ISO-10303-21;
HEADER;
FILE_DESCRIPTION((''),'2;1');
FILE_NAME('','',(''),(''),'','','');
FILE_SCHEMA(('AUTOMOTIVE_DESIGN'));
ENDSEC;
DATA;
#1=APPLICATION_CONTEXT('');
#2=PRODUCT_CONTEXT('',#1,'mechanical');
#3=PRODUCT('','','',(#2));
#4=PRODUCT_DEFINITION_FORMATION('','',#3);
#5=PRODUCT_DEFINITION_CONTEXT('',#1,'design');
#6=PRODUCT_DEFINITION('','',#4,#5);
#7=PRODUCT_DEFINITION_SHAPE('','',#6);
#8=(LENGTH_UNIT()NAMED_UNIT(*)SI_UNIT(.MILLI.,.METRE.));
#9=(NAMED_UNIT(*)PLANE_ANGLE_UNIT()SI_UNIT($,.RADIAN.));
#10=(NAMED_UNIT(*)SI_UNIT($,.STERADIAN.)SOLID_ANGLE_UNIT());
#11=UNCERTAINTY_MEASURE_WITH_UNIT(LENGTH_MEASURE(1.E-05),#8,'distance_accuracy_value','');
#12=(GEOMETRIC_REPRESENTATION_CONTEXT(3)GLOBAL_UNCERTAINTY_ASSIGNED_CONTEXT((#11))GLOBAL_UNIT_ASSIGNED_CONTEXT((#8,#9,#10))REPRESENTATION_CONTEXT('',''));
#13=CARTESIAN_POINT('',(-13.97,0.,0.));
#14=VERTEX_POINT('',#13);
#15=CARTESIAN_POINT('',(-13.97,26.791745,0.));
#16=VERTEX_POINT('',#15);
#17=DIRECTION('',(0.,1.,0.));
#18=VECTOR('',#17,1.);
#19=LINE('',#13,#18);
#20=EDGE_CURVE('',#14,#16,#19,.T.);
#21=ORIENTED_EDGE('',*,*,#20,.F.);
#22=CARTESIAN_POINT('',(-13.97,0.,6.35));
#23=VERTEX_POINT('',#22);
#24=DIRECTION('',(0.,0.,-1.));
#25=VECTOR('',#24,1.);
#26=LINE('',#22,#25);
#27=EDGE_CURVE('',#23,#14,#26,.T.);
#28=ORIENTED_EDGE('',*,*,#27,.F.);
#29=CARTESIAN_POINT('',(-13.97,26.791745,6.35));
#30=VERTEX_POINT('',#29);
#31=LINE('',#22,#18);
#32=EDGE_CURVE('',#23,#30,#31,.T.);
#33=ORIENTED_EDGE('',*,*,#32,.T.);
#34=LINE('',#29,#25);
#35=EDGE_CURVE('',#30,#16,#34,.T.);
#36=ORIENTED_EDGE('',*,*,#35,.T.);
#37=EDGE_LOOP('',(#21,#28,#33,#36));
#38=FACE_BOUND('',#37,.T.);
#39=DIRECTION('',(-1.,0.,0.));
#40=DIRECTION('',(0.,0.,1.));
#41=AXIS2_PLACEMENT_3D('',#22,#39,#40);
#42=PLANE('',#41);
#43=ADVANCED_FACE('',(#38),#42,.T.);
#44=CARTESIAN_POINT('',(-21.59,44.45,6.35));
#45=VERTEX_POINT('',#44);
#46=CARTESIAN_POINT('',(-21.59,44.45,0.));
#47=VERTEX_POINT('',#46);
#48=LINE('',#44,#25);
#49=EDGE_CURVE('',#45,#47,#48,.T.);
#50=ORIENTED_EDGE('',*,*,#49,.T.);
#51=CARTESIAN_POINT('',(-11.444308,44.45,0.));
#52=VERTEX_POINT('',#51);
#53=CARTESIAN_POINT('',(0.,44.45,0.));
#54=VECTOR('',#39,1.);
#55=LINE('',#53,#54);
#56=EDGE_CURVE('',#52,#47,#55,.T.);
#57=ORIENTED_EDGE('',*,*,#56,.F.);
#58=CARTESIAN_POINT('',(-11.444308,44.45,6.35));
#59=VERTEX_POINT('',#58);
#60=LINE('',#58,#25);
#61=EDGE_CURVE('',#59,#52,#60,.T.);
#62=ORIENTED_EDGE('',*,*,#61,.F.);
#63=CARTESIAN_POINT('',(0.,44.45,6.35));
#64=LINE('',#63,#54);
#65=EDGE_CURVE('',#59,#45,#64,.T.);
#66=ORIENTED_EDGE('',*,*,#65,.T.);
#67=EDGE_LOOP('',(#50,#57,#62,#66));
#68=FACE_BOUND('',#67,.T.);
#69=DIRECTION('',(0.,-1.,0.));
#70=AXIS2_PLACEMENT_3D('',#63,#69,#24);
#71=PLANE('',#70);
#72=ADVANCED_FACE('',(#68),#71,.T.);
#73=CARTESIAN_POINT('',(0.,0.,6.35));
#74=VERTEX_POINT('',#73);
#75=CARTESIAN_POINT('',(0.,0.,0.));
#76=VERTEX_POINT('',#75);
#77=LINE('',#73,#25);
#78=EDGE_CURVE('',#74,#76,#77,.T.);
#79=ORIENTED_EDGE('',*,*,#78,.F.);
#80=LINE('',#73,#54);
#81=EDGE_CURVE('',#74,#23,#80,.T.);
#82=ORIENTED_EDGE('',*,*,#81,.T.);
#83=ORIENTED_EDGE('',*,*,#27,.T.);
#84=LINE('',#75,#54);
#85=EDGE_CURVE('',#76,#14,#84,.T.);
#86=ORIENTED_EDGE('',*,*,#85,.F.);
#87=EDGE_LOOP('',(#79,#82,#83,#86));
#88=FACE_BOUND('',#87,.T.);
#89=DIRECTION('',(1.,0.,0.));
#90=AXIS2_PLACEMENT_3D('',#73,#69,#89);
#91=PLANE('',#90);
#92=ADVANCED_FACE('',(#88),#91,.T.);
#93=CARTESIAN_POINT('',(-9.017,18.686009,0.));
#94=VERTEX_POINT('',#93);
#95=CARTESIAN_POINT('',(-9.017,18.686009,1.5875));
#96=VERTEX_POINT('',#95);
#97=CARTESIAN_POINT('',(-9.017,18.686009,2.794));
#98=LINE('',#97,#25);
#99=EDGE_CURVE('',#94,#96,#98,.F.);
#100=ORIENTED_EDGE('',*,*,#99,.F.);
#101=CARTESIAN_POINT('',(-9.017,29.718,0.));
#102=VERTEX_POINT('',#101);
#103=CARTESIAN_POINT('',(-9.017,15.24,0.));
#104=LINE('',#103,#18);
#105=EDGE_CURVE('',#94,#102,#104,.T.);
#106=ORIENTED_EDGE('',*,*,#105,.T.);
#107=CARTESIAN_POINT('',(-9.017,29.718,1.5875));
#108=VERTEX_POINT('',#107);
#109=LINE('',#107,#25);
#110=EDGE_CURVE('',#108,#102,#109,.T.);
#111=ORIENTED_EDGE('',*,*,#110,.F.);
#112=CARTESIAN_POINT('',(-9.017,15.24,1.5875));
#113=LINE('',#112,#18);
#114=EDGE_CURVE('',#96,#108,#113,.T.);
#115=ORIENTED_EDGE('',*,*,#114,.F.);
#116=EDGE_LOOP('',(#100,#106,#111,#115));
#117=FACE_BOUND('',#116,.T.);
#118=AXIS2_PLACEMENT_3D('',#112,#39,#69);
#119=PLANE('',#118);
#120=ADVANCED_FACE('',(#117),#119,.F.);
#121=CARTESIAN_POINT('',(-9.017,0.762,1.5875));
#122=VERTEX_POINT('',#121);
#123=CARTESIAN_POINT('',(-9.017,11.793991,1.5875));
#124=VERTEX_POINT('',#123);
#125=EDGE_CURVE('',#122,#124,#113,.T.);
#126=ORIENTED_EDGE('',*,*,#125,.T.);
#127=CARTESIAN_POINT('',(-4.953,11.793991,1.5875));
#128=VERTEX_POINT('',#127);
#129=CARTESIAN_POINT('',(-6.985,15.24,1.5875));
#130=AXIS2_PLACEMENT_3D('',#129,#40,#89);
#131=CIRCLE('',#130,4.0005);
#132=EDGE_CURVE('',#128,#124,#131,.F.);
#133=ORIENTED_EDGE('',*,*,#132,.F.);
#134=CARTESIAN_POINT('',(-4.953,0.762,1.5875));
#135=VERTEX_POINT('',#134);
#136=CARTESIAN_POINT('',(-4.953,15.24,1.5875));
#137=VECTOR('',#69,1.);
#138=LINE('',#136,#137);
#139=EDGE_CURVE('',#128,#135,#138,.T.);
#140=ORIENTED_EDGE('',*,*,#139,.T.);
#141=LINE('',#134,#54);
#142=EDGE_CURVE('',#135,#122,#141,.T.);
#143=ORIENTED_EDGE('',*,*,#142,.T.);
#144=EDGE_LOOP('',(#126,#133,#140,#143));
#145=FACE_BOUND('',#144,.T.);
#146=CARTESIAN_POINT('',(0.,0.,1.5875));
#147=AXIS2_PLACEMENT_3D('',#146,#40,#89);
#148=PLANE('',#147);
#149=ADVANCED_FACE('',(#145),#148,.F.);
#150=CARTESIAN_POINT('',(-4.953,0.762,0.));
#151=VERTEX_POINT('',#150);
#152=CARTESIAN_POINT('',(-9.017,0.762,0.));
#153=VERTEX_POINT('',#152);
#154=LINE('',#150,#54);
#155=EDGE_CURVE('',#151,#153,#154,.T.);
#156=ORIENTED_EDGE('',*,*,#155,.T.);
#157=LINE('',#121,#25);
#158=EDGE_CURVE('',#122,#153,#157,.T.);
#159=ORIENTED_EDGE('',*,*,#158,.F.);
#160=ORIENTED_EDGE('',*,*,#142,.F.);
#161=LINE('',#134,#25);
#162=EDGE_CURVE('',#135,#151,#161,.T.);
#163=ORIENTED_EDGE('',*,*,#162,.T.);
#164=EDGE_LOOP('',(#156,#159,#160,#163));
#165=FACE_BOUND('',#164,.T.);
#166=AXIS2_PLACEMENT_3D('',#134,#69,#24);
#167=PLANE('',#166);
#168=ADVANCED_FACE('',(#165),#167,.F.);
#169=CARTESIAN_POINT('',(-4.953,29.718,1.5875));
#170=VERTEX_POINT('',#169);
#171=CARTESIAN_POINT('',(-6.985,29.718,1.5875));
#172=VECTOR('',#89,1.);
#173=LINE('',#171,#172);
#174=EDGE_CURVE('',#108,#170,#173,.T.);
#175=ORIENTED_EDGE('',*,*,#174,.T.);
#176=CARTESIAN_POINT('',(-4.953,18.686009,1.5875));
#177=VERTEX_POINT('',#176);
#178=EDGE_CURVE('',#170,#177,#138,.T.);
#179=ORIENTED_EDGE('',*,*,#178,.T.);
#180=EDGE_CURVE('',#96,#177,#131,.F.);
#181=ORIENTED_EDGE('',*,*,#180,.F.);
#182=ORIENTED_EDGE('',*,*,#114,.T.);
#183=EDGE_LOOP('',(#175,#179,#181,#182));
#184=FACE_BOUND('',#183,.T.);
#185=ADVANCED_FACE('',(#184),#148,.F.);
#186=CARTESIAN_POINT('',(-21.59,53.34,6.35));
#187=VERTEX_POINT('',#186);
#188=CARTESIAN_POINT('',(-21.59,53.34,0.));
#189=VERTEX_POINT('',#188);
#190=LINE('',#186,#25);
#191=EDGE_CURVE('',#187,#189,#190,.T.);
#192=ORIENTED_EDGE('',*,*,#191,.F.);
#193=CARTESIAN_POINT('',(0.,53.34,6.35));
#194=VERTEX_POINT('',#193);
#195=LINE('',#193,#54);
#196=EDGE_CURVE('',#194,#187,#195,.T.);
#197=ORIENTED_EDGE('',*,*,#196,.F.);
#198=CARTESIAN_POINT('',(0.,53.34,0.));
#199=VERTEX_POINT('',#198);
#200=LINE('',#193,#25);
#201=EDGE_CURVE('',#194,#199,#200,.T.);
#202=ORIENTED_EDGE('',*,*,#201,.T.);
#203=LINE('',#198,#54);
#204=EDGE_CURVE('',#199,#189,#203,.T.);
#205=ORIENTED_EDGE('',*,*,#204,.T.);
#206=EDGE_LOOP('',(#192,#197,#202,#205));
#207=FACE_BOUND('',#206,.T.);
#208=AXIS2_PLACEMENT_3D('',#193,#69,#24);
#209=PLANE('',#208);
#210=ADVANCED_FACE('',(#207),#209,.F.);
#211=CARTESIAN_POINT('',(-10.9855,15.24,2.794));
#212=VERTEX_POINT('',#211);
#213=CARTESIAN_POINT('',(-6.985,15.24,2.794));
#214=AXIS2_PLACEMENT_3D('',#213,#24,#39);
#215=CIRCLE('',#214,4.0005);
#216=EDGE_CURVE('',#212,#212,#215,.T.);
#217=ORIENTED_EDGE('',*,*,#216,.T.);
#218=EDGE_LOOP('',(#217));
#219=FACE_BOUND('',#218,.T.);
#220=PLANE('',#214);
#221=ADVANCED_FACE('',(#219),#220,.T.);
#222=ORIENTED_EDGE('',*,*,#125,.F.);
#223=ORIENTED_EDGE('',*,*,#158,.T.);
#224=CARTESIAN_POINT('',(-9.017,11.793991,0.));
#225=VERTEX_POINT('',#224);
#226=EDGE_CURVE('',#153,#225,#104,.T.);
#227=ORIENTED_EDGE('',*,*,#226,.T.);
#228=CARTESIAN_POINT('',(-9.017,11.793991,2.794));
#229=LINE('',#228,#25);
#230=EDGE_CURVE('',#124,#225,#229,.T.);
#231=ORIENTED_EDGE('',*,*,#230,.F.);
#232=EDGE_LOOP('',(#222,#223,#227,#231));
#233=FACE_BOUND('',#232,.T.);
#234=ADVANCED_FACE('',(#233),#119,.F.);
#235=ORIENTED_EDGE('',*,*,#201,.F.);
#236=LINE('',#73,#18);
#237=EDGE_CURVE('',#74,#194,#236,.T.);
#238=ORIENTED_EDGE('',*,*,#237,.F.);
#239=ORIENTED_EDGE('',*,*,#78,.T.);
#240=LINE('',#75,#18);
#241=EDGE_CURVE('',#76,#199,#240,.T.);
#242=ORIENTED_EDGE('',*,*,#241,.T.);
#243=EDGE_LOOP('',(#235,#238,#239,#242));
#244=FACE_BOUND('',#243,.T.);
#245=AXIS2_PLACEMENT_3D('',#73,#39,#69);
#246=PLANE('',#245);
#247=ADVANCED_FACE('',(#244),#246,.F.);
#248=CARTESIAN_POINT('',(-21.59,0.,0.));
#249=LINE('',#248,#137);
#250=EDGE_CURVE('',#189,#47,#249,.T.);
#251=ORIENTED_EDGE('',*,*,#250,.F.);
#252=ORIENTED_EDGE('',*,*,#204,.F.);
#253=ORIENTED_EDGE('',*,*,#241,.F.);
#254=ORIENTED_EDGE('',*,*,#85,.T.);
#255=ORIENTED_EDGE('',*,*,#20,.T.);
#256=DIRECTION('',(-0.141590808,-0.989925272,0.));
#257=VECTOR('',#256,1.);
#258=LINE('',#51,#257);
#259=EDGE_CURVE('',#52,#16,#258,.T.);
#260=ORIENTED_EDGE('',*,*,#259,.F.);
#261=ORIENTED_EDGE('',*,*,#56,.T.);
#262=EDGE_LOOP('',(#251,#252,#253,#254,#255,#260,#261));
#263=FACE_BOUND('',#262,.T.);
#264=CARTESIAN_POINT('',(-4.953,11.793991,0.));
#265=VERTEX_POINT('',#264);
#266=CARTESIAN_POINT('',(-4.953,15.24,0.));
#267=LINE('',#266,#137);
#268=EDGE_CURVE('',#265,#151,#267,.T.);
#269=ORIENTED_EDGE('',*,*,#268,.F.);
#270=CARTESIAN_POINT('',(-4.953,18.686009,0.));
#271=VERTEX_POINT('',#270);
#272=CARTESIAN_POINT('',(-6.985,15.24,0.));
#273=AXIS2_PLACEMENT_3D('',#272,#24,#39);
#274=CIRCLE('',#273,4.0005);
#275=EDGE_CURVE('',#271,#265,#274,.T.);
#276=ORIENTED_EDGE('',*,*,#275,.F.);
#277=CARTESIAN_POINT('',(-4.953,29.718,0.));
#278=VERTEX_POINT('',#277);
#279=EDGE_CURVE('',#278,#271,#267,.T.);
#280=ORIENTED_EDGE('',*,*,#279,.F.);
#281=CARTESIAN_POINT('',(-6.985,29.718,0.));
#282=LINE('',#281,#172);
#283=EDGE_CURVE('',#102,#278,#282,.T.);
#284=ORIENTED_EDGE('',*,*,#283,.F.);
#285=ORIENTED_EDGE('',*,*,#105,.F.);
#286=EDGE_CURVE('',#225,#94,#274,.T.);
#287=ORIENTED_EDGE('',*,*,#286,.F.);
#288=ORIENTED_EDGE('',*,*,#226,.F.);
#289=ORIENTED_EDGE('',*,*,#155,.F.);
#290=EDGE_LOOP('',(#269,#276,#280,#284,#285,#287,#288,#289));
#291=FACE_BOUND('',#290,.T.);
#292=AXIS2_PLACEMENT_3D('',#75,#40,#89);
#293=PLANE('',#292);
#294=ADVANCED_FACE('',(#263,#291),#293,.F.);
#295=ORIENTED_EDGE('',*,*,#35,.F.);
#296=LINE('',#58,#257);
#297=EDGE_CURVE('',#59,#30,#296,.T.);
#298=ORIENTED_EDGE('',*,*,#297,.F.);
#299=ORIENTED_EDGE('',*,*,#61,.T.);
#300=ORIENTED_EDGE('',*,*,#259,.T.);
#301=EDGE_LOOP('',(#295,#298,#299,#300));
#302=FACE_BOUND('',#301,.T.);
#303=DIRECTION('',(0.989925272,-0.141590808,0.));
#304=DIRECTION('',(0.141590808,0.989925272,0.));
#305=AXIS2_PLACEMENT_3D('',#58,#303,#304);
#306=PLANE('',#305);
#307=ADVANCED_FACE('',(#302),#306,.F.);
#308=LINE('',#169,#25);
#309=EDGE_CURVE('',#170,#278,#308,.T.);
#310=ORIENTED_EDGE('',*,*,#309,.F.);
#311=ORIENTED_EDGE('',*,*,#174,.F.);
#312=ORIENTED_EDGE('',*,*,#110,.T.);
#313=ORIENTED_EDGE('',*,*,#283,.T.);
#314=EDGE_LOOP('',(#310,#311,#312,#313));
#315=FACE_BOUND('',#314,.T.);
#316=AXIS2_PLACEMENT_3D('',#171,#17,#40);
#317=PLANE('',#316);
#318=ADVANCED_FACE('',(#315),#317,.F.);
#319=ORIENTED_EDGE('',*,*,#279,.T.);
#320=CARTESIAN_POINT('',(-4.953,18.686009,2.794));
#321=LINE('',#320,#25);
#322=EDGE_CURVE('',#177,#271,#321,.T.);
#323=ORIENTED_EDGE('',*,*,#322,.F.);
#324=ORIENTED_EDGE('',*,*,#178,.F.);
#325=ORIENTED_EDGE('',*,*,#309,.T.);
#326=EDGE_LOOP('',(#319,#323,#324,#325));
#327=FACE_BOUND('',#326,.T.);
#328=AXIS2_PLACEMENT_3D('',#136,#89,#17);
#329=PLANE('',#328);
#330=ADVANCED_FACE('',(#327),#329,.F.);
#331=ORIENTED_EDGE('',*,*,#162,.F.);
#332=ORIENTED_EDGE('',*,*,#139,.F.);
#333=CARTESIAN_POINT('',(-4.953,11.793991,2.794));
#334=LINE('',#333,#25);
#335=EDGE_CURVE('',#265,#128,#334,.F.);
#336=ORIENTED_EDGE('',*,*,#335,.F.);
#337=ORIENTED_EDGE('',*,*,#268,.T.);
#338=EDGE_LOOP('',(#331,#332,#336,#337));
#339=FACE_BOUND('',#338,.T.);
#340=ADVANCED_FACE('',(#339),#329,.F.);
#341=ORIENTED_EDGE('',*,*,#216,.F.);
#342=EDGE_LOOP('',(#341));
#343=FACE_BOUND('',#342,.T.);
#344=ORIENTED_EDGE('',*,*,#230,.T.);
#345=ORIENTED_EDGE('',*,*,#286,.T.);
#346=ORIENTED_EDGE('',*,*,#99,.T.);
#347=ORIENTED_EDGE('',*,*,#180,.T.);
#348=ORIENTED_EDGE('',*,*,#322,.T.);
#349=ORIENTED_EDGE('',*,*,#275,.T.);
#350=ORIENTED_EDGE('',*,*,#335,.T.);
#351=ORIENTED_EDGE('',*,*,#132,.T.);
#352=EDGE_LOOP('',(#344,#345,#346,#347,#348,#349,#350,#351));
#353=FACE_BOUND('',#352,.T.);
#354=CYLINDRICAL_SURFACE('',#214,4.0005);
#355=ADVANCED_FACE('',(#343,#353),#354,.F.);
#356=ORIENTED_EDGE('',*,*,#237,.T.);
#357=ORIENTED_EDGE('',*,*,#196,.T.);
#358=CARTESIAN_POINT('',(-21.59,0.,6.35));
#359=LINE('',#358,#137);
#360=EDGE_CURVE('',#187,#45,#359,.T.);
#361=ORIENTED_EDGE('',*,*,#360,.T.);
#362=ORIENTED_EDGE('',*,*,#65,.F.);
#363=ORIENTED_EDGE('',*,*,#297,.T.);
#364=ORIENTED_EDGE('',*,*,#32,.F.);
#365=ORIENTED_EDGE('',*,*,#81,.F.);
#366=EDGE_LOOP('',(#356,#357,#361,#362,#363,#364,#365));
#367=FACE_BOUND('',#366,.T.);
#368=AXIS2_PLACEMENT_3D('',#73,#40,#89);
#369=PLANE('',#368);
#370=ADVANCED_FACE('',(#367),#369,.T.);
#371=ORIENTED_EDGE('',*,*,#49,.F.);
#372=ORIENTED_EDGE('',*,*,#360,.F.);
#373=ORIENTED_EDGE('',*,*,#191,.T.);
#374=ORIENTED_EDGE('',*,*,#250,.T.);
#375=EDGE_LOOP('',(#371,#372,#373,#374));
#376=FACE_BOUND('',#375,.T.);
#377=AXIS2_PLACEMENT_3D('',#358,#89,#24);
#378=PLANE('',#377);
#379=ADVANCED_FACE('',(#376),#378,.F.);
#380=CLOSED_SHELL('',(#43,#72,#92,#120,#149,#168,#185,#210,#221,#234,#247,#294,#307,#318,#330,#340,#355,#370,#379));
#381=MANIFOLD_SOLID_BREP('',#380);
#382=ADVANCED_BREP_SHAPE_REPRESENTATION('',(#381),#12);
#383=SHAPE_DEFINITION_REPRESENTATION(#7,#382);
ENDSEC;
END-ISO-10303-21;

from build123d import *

# Parameters (mm, degrees)
SKETCH2_W           = 7.62
SKETCH2_H           = 8.89
SKETCH2_W_2         = 13.97
SKETCH2_H_2         = 44.45
BOSS_EXTRUDE1_DEPTH = 6.35
SKETCH3_R           = 4.0005
CUT_EXTRUDE1_DEPTH  = 2.794
CUT_EXTRUDE2_DEPTH  = 1.5875
CUT_EXTRUDE3_DEPTH  = 7.35


with BuildPart() as part:
    # Sketch2 → Boss-Extrude1 (new body)
    with BuildSketch(Plane.XY):
        with Locations((-17.78, 48.895)):
            Rectangle(SKETCH2_W, SKETCH2_H)
        with Locations((-6.985, 48.895)):
            Rectangle(SKETCH2_W_2, SKETCH2_H)
        with Locations((-6.985, 22.225)):
            Rectangle(SKETCH2_W_2, SKETCH2_H_2)
    extrude(amount=BOSS_EXTRUDE1_DEPTH)

    # Sketch3 → Cut-Extrude1 (cut)
    with BuildSketch(Plane(origin=(0, 0, 0), x_dir=(-1, 0, 0), z_dir=(0, 0, -1))):
        with Locations((6.985, 15.24)):
            Circle(SKETCH3_R)
    extrude(amount=-CUT_EXTRUDE1_DEPTH, mode=Mode.SUBTRACT)

    # Sketch4 → Cut-Extrude2 (cut)
    with BuildSketch(Plane(origin=(0, 0, 0), x_dir=(-1, 0, 0), z_dir=(0, 0, -1))):
        Polygon((6.985, 29.718), (9.017, 29.718), (9.017, 15.24), (9.017, 0.762), (4.953, 0.762), (4.953, 15.24), (4.953, 29.718), align=None)
    extrude(amount=-CUT_EXTRUDE2_DEPTH, mode=Mode.SUBTRACT)

    # Sketch5 → Cut-Extrude3 (cut, through all)
    with BuildSketch(Plane(origin=(0, 0, 0), x_dir=(-1, 0, 0), z_dir=(0, 0, -1))):
        Polygon((13.97, 44.45), (11.44430778, 44.45), (13.97, 26.791745209), align=None)
    extrude(amount=-CUT_EXTRUDE3_DEPTH, mode=Mode.SUBTRACT)


solid = part.part
